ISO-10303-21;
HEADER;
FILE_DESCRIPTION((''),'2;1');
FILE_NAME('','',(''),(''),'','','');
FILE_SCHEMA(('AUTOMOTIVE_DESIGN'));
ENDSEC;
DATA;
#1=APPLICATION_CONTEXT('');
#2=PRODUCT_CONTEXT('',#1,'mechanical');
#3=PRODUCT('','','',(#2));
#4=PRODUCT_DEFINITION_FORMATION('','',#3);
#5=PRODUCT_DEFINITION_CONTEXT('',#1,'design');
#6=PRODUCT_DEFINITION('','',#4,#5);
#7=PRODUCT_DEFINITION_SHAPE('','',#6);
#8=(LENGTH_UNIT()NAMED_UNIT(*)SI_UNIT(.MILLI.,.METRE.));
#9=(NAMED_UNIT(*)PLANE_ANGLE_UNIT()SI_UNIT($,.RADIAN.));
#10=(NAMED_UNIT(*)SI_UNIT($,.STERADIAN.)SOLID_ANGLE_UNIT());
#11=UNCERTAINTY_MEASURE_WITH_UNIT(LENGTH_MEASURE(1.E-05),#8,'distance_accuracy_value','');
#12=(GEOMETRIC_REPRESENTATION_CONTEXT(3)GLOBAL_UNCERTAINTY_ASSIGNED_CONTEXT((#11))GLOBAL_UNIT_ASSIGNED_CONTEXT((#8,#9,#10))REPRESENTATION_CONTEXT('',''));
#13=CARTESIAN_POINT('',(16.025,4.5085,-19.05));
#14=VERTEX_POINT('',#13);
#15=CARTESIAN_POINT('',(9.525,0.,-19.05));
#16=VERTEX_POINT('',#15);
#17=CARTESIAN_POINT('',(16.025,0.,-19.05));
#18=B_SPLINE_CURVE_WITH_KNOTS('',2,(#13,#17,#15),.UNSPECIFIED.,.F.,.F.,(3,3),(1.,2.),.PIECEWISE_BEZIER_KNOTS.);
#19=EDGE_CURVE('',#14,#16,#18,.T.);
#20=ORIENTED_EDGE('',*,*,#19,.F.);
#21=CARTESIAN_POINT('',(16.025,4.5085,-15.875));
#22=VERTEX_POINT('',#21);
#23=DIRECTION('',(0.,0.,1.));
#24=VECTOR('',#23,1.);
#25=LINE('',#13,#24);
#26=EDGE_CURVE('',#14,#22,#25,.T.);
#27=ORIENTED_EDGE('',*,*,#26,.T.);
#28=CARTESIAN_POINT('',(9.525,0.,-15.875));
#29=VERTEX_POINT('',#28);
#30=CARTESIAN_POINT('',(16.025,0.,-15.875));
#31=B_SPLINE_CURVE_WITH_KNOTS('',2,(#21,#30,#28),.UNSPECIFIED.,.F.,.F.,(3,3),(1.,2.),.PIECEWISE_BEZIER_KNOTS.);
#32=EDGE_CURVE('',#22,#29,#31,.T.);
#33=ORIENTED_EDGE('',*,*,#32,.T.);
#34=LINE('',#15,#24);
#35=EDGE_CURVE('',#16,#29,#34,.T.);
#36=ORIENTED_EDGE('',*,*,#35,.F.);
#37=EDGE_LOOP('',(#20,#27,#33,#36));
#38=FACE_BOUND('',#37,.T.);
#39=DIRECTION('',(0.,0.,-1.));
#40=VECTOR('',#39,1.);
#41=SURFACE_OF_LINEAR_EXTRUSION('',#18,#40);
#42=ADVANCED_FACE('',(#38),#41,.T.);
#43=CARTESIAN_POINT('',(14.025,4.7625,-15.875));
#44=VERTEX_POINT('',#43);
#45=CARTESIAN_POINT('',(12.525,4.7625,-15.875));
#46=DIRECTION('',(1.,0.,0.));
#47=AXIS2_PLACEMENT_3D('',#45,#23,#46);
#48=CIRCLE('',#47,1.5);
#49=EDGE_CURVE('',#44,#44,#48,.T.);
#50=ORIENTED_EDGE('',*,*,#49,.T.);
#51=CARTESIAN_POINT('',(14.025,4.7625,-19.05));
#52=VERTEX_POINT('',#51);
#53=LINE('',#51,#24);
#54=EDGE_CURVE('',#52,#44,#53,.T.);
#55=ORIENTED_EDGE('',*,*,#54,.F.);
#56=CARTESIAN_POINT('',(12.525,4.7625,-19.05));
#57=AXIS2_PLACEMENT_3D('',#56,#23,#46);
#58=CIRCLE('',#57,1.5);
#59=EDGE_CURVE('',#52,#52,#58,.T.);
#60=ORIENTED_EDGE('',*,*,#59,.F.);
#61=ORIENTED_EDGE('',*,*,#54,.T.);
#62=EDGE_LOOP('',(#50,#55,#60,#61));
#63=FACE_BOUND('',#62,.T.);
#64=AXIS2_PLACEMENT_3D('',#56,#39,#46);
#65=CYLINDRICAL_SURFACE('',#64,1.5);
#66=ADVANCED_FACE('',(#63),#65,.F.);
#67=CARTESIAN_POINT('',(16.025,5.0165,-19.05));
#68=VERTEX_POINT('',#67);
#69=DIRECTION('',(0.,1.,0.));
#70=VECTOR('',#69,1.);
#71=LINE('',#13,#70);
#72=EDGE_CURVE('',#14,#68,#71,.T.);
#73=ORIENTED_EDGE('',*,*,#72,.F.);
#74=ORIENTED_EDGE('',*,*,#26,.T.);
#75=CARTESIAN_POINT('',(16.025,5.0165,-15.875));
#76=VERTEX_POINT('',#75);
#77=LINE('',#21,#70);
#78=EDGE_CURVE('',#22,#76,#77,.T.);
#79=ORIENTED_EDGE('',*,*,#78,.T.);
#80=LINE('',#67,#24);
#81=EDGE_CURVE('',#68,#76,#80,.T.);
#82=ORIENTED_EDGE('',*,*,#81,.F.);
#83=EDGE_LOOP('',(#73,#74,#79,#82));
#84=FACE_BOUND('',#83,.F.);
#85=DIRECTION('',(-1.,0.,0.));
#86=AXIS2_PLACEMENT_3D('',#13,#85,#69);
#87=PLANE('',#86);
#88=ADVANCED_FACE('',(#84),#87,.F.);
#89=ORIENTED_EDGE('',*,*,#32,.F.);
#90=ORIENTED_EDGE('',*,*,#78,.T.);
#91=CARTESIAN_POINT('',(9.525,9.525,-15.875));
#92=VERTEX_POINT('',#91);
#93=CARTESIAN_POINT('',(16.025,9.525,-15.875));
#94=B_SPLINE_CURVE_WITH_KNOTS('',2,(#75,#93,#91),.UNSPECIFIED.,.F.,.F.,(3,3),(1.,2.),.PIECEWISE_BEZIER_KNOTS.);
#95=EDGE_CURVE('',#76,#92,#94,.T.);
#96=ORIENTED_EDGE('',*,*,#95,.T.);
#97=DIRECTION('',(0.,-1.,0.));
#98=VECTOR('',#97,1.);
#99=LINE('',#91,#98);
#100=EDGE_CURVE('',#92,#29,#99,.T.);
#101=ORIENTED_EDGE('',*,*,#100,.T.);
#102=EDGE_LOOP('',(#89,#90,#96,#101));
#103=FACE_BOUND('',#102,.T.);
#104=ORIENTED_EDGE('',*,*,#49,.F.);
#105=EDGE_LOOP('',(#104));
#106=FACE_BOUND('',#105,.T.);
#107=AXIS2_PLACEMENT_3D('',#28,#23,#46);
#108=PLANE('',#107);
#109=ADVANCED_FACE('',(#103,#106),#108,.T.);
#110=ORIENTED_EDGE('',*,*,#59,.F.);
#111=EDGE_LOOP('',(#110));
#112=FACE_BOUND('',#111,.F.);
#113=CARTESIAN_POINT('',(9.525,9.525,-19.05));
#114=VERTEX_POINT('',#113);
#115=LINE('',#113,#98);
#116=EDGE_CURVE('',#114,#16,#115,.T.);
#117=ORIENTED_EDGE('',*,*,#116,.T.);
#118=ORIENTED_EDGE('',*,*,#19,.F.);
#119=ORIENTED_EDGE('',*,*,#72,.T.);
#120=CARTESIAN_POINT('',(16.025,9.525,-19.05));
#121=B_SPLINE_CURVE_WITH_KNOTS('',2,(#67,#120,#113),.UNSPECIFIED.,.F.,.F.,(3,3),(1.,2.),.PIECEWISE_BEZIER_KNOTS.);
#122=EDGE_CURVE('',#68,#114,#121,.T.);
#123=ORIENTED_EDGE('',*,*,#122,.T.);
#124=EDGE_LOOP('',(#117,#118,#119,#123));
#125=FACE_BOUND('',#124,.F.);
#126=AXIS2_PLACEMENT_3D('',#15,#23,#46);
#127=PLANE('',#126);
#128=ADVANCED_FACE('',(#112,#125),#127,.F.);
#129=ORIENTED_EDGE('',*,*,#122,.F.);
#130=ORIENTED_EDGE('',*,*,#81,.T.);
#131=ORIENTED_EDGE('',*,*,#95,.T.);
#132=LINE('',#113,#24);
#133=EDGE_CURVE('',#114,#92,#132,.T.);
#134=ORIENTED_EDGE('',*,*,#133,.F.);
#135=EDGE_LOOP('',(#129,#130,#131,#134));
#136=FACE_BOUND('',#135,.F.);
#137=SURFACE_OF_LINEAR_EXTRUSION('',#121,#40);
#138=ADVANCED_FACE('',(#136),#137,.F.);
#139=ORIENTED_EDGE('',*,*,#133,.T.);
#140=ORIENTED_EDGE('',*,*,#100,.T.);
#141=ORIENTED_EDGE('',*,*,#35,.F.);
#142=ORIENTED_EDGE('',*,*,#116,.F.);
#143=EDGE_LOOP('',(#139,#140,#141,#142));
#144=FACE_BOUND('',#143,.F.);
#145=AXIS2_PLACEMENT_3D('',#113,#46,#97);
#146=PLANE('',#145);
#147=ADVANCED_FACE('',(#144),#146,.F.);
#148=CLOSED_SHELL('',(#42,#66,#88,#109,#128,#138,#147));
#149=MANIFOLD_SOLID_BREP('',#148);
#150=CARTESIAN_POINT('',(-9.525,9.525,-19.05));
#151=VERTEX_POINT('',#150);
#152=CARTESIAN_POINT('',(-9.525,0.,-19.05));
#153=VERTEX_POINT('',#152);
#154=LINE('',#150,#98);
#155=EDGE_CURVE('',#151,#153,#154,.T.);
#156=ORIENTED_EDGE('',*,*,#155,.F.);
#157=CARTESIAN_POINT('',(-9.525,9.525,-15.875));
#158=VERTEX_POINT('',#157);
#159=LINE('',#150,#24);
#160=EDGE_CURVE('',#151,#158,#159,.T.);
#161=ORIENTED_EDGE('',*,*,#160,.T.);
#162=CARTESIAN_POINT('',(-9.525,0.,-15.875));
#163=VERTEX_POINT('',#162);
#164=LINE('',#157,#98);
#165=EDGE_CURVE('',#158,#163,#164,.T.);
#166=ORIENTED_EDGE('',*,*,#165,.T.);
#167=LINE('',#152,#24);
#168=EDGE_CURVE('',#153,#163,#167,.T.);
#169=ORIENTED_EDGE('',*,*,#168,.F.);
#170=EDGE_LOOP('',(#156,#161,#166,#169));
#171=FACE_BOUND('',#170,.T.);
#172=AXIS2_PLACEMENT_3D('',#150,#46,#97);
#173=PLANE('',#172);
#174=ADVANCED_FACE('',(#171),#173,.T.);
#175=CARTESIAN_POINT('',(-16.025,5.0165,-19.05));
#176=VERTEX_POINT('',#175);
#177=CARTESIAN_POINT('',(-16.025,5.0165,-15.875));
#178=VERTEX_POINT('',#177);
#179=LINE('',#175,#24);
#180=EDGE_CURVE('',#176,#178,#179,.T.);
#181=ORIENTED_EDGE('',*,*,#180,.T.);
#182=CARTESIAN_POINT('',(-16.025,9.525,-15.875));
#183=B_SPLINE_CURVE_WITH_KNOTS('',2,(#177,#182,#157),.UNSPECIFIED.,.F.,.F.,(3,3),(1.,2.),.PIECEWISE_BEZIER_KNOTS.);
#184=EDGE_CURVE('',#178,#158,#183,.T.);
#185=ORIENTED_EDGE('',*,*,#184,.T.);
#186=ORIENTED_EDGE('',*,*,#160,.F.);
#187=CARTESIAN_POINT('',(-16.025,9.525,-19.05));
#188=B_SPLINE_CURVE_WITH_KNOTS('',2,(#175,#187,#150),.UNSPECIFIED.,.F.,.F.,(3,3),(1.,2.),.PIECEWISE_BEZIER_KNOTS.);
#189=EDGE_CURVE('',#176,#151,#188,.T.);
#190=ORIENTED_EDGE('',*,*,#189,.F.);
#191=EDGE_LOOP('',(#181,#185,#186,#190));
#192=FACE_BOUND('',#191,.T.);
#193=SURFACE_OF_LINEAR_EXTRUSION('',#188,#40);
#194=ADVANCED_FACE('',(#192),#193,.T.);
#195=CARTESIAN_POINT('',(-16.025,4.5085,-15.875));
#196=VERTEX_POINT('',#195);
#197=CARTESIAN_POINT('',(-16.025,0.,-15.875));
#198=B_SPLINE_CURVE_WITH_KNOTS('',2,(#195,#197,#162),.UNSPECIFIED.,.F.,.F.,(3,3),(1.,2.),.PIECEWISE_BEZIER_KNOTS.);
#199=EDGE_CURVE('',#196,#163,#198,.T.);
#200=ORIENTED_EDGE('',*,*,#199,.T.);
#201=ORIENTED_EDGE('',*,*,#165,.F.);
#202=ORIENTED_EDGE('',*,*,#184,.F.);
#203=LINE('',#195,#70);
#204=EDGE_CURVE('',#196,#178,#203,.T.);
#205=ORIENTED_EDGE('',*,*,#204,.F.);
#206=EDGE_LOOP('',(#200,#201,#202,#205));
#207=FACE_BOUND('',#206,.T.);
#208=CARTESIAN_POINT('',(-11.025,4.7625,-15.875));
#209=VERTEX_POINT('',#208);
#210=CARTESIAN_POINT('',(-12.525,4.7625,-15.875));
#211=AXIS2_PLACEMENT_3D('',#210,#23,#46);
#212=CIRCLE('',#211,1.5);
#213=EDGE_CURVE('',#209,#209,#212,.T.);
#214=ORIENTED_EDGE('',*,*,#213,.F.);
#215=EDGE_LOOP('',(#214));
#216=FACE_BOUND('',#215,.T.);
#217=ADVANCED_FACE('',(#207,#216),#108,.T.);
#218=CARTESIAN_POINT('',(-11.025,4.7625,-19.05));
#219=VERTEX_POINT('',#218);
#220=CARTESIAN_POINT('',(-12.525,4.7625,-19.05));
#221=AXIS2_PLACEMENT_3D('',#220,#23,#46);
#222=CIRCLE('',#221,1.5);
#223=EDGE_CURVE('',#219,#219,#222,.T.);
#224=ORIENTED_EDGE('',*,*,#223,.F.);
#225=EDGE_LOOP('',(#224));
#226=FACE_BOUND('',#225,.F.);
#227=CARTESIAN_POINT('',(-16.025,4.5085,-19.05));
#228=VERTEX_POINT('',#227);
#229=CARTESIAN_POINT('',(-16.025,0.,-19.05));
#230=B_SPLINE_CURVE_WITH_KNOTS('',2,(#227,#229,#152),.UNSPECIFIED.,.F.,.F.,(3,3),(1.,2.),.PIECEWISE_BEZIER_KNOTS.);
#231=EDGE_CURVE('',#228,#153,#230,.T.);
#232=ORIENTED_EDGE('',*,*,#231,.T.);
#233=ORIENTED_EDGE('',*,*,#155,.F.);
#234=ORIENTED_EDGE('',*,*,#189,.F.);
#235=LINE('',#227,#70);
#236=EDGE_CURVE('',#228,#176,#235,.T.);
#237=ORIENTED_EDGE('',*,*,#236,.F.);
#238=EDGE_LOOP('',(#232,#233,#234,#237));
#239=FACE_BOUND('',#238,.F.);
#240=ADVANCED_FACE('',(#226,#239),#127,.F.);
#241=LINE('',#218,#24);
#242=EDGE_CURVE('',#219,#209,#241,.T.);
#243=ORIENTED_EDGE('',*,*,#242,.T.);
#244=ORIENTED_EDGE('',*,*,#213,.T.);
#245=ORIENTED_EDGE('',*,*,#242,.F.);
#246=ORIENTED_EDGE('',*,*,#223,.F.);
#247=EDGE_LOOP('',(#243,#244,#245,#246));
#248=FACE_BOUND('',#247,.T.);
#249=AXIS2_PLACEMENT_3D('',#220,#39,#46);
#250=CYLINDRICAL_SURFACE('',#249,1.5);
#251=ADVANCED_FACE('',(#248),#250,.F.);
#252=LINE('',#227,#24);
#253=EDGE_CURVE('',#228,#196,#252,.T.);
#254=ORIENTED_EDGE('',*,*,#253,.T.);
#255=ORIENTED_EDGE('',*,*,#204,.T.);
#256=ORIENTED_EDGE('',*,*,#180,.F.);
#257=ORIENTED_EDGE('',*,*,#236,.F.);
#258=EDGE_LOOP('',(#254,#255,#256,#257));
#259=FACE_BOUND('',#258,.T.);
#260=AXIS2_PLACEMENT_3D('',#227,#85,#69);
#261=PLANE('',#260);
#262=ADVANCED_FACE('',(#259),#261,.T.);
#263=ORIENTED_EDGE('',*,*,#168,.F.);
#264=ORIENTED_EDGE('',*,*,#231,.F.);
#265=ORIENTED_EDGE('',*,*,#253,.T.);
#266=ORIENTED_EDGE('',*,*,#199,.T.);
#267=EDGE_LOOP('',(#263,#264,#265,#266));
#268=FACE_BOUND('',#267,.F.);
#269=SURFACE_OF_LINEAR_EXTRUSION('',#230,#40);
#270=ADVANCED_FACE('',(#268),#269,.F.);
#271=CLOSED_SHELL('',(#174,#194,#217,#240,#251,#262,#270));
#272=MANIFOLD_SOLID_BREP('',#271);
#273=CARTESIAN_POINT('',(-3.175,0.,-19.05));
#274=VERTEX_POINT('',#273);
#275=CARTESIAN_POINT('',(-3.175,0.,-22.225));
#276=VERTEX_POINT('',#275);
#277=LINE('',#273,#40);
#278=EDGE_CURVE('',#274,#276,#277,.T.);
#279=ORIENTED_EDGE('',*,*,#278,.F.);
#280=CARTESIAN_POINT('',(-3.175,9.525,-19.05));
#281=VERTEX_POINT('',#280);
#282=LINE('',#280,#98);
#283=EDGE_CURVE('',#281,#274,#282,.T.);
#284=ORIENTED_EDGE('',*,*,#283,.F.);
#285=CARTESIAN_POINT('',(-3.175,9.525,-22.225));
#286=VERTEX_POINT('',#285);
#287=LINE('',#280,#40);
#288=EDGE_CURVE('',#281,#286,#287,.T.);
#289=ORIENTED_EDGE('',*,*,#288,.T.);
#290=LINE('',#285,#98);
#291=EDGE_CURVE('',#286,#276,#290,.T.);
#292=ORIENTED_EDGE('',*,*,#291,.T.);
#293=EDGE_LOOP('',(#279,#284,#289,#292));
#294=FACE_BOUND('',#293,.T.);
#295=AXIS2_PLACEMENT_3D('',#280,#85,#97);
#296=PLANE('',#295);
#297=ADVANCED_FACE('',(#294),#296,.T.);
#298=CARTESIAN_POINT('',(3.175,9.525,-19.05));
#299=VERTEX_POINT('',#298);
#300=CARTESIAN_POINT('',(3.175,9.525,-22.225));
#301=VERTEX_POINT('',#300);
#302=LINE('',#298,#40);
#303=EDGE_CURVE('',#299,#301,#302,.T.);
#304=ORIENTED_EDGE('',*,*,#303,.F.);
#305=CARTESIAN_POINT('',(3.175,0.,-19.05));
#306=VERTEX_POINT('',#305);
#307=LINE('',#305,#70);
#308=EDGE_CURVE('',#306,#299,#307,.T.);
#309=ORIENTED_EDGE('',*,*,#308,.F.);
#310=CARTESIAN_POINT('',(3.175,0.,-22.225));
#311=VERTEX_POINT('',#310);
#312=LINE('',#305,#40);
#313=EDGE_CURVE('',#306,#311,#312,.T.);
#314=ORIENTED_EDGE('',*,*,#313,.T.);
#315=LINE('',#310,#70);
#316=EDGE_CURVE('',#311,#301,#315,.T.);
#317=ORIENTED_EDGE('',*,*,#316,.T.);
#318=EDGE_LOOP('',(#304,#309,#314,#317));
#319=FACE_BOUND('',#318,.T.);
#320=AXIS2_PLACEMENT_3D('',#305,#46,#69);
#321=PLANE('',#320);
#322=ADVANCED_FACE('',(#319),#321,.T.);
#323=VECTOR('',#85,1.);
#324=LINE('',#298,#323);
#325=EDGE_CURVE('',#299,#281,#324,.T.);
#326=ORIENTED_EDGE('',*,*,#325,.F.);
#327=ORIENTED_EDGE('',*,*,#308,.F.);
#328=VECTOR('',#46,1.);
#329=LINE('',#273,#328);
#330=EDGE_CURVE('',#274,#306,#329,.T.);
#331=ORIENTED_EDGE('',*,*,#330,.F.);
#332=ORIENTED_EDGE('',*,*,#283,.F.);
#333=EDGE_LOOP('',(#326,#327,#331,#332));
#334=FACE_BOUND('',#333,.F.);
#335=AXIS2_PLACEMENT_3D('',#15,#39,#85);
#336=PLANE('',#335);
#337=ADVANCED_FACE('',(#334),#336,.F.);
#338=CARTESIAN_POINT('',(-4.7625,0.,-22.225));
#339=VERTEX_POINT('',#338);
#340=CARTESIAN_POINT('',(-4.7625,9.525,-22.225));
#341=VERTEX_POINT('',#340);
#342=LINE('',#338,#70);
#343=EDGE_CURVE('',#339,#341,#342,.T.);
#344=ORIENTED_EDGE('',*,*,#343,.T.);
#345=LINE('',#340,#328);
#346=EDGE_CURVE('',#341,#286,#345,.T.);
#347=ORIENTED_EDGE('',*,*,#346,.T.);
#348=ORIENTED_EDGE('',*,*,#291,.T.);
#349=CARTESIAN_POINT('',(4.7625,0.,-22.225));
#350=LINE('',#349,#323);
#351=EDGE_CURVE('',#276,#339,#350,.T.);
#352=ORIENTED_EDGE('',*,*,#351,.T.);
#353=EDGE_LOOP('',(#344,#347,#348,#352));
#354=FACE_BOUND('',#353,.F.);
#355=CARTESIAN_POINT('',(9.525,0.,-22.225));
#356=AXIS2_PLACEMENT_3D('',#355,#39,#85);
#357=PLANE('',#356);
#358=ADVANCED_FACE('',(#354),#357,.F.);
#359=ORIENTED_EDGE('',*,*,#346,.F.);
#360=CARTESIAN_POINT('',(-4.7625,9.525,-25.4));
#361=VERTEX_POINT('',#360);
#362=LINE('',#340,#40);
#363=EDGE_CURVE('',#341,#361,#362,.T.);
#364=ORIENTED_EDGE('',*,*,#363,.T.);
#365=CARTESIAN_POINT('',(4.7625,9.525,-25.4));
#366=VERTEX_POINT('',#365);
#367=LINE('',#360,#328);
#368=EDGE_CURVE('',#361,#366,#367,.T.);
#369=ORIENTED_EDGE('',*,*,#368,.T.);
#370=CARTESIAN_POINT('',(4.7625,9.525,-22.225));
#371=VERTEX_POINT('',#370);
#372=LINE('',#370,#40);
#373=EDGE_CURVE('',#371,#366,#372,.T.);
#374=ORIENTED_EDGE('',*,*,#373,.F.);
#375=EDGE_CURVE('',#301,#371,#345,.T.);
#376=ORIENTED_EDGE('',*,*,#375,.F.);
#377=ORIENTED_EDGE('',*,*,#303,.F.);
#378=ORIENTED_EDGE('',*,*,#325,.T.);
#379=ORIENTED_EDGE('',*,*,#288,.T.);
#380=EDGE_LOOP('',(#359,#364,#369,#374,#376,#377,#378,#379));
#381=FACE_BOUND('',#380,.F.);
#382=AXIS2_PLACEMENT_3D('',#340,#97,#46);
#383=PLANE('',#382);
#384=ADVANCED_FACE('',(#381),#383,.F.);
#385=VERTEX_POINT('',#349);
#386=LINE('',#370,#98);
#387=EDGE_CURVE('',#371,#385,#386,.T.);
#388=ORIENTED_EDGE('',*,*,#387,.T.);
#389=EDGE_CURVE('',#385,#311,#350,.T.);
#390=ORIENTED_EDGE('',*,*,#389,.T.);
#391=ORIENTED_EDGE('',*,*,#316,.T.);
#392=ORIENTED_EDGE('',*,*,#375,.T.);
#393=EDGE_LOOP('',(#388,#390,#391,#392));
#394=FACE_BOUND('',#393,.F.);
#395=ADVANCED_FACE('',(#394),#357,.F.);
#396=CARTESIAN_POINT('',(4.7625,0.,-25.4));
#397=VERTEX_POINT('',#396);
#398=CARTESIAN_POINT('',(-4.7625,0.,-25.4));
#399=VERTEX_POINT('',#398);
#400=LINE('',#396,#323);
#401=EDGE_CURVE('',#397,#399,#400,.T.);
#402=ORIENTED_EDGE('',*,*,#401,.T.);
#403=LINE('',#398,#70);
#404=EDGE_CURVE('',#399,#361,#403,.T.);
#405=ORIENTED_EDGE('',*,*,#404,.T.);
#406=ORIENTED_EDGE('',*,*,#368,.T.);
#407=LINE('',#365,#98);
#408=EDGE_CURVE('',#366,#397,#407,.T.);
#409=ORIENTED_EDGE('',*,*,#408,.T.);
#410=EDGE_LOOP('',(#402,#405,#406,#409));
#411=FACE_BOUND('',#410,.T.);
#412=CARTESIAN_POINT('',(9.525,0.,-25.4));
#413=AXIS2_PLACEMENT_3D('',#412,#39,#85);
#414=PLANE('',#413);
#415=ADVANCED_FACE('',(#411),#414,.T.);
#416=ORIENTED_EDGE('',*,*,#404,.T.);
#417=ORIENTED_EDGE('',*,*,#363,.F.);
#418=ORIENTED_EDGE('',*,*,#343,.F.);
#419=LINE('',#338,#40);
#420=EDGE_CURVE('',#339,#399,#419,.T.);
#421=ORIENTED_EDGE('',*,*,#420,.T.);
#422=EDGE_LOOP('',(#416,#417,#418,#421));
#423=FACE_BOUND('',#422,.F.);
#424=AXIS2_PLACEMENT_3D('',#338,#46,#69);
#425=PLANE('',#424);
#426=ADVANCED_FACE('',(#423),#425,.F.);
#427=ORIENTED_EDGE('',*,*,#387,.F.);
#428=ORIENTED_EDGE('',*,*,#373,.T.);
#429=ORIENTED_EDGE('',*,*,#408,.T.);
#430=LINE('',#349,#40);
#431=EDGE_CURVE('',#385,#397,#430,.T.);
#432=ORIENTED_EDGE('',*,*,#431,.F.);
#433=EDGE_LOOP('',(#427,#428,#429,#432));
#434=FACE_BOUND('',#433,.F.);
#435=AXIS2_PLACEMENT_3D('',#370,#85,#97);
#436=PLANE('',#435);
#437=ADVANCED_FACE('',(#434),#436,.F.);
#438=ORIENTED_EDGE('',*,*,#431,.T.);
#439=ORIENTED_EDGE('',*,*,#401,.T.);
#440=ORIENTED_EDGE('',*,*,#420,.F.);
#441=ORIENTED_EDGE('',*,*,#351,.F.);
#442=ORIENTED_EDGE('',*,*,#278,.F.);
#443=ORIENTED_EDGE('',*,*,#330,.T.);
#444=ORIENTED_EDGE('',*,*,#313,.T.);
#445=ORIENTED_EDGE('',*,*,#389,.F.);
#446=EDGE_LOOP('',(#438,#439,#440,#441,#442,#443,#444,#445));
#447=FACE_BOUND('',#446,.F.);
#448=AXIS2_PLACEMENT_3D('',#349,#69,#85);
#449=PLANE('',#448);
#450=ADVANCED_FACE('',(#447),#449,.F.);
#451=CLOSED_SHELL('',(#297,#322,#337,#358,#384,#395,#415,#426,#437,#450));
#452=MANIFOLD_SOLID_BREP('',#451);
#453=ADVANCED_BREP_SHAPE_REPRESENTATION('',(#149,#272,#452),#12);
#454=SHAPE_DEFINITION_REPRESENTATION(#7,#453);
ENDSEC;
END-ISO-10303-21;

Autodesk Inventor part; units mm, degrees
ref_plane "Work Plane7" through (0, 3.175, 0) normal (0, 1, 0) x (1, 0, 0)
ref_plane "Work Plane8" through (9.525, 0, -19.05) normal (0, 0, -1) x (-1, 0, 0)
sketch "Sketch4" plane through (9.525, 0, -19.05) normal (0, 0, -1) x (-1, 0, 0)
  line L0 (12.7, 0) -> (6.35, 0)
  line L1 (6.35, 0) -> (6.35, 9.525)
  line L2 (6.35, 9.525) -> (12.7, 9.525)
  line L3 (12.7, 9.525) -> (12.7, 0)
  line L4 (12.7, 0) -> (6.35, 9.525) construction
  line L5 (6.35, 0) -> (12.7, 9.525) construction
  point P0 (9.525, 0)
  point P1 (9.525, 4.7625)
extrude "Extrusion4" add sketch "Sketch4" along normal blind 3.175
sketch "Sketch5" plane through (9.525, 0, -22.225) normal (0, 0, -1) x (-1, 0, 0)
  line L0 (4.7625, 0) -> (14.2875, 0)
  line L1 (14.2875, 0) -> (14.2875, 9.525)
  line L2 (14.2875, 9.525) -> (4.7625, 9.525)
  line L3 (4.7625, 9.525) -> (4.7625, 0)
  line L4 (4.7625, 0) -> (14.2875, 9.525) construction
  line L5 (14.2875, 0) -> (4.7625, 9.525) construction
  point P0 (9.525, 0)
  point P1 (9.525, 4.7625)
extrude "Extrusion5" add sketch "Sketch5" along normal blind 3.175
ref_plane "Work Plane6" through (3.175, 9.525, 25.4) normal (0, 0, 1) x (1, 0, 0)
ref_plane "Work Plane5" through (-4.7625, 0, 3.175) normal (0, 0, 1) x (1, 0, 0)
sketch "Sketch8" plane through (9.525, 0, -19.05) normal (0, 0, 1) x (1, 0, 0)
  circle A0 centre (3, 4.7625) radius 1.5
  line L0 (6.5, 4.5085) -> (6.5, 5.0165)
  line L1 (6.5, 5.0165) -> (6.5, 9.525) construction
  line L2 (6.5, 9.525) -> (0, 9.525) construction
  spline S0 degree 2 poles (6.5, 5.0165) (6.5, 9.525) (0, 9.525) knots 1 1 1 2 2 2
  line L3 (6.5, 4.5085) -> (6.5, 0) construction
  line L4 (6.5, 0) -> (0, 0) construction
  spline S1 degree 2 poles (6.5, 4.5085) (6.5, 0) (0, 0) knots 1 1 1 2 2 2
  line L5 (-9.525, 0) -> (-9.525, 9.525)
  line L6 (-14.2875, 9.525) -> (-4.7625, 9.525)
  line L7 (0, 9.525) -> (0, 0)
  line L8 (0, 0) -> (0, 9.525)
  circle A1 centre (-22.05, 4.7625) radius 1.5
  line L9 (-25.55, 4.5085) -> (-25.55, 5.0165)
  line L10 (-25.55, 5.0165) -> (-25.55, 9.525) construction
  spline S2 degree 2 poles (-25.55, 5.0165) (-25.55, 9.525) (-19.05, 9.525) knots 1 1 1 2 2 2
  line L11 (-25.55, 9.525) -> (-19.05, 9.525) construction
  line L12 (-25.55, 4.5085) -> (-25.55, 0) construction
  spline S3 degree 2 poles (-25.55, 4.5085) (-25.55, 0) (-19.05, 0) knots 1 1 1 2 2 2
  line L13 (-25.55, 0) -> (-19.05, 0) construction
  line L14 (-19.05, 9.525) -> (-19.05, 0)
  line L15 (-19.05, 0) -> (-19.05, 9.525)
  point P0 (-9.525, 0)
  point P1 (4.5, 4.7625)
  point P2 (-23.55, 4.7625)
  dimension "d30" = 3
extrude "Extrusion8" add sketch "Sketch8" along normal blind 3.175
properties part number "Connector_B"
